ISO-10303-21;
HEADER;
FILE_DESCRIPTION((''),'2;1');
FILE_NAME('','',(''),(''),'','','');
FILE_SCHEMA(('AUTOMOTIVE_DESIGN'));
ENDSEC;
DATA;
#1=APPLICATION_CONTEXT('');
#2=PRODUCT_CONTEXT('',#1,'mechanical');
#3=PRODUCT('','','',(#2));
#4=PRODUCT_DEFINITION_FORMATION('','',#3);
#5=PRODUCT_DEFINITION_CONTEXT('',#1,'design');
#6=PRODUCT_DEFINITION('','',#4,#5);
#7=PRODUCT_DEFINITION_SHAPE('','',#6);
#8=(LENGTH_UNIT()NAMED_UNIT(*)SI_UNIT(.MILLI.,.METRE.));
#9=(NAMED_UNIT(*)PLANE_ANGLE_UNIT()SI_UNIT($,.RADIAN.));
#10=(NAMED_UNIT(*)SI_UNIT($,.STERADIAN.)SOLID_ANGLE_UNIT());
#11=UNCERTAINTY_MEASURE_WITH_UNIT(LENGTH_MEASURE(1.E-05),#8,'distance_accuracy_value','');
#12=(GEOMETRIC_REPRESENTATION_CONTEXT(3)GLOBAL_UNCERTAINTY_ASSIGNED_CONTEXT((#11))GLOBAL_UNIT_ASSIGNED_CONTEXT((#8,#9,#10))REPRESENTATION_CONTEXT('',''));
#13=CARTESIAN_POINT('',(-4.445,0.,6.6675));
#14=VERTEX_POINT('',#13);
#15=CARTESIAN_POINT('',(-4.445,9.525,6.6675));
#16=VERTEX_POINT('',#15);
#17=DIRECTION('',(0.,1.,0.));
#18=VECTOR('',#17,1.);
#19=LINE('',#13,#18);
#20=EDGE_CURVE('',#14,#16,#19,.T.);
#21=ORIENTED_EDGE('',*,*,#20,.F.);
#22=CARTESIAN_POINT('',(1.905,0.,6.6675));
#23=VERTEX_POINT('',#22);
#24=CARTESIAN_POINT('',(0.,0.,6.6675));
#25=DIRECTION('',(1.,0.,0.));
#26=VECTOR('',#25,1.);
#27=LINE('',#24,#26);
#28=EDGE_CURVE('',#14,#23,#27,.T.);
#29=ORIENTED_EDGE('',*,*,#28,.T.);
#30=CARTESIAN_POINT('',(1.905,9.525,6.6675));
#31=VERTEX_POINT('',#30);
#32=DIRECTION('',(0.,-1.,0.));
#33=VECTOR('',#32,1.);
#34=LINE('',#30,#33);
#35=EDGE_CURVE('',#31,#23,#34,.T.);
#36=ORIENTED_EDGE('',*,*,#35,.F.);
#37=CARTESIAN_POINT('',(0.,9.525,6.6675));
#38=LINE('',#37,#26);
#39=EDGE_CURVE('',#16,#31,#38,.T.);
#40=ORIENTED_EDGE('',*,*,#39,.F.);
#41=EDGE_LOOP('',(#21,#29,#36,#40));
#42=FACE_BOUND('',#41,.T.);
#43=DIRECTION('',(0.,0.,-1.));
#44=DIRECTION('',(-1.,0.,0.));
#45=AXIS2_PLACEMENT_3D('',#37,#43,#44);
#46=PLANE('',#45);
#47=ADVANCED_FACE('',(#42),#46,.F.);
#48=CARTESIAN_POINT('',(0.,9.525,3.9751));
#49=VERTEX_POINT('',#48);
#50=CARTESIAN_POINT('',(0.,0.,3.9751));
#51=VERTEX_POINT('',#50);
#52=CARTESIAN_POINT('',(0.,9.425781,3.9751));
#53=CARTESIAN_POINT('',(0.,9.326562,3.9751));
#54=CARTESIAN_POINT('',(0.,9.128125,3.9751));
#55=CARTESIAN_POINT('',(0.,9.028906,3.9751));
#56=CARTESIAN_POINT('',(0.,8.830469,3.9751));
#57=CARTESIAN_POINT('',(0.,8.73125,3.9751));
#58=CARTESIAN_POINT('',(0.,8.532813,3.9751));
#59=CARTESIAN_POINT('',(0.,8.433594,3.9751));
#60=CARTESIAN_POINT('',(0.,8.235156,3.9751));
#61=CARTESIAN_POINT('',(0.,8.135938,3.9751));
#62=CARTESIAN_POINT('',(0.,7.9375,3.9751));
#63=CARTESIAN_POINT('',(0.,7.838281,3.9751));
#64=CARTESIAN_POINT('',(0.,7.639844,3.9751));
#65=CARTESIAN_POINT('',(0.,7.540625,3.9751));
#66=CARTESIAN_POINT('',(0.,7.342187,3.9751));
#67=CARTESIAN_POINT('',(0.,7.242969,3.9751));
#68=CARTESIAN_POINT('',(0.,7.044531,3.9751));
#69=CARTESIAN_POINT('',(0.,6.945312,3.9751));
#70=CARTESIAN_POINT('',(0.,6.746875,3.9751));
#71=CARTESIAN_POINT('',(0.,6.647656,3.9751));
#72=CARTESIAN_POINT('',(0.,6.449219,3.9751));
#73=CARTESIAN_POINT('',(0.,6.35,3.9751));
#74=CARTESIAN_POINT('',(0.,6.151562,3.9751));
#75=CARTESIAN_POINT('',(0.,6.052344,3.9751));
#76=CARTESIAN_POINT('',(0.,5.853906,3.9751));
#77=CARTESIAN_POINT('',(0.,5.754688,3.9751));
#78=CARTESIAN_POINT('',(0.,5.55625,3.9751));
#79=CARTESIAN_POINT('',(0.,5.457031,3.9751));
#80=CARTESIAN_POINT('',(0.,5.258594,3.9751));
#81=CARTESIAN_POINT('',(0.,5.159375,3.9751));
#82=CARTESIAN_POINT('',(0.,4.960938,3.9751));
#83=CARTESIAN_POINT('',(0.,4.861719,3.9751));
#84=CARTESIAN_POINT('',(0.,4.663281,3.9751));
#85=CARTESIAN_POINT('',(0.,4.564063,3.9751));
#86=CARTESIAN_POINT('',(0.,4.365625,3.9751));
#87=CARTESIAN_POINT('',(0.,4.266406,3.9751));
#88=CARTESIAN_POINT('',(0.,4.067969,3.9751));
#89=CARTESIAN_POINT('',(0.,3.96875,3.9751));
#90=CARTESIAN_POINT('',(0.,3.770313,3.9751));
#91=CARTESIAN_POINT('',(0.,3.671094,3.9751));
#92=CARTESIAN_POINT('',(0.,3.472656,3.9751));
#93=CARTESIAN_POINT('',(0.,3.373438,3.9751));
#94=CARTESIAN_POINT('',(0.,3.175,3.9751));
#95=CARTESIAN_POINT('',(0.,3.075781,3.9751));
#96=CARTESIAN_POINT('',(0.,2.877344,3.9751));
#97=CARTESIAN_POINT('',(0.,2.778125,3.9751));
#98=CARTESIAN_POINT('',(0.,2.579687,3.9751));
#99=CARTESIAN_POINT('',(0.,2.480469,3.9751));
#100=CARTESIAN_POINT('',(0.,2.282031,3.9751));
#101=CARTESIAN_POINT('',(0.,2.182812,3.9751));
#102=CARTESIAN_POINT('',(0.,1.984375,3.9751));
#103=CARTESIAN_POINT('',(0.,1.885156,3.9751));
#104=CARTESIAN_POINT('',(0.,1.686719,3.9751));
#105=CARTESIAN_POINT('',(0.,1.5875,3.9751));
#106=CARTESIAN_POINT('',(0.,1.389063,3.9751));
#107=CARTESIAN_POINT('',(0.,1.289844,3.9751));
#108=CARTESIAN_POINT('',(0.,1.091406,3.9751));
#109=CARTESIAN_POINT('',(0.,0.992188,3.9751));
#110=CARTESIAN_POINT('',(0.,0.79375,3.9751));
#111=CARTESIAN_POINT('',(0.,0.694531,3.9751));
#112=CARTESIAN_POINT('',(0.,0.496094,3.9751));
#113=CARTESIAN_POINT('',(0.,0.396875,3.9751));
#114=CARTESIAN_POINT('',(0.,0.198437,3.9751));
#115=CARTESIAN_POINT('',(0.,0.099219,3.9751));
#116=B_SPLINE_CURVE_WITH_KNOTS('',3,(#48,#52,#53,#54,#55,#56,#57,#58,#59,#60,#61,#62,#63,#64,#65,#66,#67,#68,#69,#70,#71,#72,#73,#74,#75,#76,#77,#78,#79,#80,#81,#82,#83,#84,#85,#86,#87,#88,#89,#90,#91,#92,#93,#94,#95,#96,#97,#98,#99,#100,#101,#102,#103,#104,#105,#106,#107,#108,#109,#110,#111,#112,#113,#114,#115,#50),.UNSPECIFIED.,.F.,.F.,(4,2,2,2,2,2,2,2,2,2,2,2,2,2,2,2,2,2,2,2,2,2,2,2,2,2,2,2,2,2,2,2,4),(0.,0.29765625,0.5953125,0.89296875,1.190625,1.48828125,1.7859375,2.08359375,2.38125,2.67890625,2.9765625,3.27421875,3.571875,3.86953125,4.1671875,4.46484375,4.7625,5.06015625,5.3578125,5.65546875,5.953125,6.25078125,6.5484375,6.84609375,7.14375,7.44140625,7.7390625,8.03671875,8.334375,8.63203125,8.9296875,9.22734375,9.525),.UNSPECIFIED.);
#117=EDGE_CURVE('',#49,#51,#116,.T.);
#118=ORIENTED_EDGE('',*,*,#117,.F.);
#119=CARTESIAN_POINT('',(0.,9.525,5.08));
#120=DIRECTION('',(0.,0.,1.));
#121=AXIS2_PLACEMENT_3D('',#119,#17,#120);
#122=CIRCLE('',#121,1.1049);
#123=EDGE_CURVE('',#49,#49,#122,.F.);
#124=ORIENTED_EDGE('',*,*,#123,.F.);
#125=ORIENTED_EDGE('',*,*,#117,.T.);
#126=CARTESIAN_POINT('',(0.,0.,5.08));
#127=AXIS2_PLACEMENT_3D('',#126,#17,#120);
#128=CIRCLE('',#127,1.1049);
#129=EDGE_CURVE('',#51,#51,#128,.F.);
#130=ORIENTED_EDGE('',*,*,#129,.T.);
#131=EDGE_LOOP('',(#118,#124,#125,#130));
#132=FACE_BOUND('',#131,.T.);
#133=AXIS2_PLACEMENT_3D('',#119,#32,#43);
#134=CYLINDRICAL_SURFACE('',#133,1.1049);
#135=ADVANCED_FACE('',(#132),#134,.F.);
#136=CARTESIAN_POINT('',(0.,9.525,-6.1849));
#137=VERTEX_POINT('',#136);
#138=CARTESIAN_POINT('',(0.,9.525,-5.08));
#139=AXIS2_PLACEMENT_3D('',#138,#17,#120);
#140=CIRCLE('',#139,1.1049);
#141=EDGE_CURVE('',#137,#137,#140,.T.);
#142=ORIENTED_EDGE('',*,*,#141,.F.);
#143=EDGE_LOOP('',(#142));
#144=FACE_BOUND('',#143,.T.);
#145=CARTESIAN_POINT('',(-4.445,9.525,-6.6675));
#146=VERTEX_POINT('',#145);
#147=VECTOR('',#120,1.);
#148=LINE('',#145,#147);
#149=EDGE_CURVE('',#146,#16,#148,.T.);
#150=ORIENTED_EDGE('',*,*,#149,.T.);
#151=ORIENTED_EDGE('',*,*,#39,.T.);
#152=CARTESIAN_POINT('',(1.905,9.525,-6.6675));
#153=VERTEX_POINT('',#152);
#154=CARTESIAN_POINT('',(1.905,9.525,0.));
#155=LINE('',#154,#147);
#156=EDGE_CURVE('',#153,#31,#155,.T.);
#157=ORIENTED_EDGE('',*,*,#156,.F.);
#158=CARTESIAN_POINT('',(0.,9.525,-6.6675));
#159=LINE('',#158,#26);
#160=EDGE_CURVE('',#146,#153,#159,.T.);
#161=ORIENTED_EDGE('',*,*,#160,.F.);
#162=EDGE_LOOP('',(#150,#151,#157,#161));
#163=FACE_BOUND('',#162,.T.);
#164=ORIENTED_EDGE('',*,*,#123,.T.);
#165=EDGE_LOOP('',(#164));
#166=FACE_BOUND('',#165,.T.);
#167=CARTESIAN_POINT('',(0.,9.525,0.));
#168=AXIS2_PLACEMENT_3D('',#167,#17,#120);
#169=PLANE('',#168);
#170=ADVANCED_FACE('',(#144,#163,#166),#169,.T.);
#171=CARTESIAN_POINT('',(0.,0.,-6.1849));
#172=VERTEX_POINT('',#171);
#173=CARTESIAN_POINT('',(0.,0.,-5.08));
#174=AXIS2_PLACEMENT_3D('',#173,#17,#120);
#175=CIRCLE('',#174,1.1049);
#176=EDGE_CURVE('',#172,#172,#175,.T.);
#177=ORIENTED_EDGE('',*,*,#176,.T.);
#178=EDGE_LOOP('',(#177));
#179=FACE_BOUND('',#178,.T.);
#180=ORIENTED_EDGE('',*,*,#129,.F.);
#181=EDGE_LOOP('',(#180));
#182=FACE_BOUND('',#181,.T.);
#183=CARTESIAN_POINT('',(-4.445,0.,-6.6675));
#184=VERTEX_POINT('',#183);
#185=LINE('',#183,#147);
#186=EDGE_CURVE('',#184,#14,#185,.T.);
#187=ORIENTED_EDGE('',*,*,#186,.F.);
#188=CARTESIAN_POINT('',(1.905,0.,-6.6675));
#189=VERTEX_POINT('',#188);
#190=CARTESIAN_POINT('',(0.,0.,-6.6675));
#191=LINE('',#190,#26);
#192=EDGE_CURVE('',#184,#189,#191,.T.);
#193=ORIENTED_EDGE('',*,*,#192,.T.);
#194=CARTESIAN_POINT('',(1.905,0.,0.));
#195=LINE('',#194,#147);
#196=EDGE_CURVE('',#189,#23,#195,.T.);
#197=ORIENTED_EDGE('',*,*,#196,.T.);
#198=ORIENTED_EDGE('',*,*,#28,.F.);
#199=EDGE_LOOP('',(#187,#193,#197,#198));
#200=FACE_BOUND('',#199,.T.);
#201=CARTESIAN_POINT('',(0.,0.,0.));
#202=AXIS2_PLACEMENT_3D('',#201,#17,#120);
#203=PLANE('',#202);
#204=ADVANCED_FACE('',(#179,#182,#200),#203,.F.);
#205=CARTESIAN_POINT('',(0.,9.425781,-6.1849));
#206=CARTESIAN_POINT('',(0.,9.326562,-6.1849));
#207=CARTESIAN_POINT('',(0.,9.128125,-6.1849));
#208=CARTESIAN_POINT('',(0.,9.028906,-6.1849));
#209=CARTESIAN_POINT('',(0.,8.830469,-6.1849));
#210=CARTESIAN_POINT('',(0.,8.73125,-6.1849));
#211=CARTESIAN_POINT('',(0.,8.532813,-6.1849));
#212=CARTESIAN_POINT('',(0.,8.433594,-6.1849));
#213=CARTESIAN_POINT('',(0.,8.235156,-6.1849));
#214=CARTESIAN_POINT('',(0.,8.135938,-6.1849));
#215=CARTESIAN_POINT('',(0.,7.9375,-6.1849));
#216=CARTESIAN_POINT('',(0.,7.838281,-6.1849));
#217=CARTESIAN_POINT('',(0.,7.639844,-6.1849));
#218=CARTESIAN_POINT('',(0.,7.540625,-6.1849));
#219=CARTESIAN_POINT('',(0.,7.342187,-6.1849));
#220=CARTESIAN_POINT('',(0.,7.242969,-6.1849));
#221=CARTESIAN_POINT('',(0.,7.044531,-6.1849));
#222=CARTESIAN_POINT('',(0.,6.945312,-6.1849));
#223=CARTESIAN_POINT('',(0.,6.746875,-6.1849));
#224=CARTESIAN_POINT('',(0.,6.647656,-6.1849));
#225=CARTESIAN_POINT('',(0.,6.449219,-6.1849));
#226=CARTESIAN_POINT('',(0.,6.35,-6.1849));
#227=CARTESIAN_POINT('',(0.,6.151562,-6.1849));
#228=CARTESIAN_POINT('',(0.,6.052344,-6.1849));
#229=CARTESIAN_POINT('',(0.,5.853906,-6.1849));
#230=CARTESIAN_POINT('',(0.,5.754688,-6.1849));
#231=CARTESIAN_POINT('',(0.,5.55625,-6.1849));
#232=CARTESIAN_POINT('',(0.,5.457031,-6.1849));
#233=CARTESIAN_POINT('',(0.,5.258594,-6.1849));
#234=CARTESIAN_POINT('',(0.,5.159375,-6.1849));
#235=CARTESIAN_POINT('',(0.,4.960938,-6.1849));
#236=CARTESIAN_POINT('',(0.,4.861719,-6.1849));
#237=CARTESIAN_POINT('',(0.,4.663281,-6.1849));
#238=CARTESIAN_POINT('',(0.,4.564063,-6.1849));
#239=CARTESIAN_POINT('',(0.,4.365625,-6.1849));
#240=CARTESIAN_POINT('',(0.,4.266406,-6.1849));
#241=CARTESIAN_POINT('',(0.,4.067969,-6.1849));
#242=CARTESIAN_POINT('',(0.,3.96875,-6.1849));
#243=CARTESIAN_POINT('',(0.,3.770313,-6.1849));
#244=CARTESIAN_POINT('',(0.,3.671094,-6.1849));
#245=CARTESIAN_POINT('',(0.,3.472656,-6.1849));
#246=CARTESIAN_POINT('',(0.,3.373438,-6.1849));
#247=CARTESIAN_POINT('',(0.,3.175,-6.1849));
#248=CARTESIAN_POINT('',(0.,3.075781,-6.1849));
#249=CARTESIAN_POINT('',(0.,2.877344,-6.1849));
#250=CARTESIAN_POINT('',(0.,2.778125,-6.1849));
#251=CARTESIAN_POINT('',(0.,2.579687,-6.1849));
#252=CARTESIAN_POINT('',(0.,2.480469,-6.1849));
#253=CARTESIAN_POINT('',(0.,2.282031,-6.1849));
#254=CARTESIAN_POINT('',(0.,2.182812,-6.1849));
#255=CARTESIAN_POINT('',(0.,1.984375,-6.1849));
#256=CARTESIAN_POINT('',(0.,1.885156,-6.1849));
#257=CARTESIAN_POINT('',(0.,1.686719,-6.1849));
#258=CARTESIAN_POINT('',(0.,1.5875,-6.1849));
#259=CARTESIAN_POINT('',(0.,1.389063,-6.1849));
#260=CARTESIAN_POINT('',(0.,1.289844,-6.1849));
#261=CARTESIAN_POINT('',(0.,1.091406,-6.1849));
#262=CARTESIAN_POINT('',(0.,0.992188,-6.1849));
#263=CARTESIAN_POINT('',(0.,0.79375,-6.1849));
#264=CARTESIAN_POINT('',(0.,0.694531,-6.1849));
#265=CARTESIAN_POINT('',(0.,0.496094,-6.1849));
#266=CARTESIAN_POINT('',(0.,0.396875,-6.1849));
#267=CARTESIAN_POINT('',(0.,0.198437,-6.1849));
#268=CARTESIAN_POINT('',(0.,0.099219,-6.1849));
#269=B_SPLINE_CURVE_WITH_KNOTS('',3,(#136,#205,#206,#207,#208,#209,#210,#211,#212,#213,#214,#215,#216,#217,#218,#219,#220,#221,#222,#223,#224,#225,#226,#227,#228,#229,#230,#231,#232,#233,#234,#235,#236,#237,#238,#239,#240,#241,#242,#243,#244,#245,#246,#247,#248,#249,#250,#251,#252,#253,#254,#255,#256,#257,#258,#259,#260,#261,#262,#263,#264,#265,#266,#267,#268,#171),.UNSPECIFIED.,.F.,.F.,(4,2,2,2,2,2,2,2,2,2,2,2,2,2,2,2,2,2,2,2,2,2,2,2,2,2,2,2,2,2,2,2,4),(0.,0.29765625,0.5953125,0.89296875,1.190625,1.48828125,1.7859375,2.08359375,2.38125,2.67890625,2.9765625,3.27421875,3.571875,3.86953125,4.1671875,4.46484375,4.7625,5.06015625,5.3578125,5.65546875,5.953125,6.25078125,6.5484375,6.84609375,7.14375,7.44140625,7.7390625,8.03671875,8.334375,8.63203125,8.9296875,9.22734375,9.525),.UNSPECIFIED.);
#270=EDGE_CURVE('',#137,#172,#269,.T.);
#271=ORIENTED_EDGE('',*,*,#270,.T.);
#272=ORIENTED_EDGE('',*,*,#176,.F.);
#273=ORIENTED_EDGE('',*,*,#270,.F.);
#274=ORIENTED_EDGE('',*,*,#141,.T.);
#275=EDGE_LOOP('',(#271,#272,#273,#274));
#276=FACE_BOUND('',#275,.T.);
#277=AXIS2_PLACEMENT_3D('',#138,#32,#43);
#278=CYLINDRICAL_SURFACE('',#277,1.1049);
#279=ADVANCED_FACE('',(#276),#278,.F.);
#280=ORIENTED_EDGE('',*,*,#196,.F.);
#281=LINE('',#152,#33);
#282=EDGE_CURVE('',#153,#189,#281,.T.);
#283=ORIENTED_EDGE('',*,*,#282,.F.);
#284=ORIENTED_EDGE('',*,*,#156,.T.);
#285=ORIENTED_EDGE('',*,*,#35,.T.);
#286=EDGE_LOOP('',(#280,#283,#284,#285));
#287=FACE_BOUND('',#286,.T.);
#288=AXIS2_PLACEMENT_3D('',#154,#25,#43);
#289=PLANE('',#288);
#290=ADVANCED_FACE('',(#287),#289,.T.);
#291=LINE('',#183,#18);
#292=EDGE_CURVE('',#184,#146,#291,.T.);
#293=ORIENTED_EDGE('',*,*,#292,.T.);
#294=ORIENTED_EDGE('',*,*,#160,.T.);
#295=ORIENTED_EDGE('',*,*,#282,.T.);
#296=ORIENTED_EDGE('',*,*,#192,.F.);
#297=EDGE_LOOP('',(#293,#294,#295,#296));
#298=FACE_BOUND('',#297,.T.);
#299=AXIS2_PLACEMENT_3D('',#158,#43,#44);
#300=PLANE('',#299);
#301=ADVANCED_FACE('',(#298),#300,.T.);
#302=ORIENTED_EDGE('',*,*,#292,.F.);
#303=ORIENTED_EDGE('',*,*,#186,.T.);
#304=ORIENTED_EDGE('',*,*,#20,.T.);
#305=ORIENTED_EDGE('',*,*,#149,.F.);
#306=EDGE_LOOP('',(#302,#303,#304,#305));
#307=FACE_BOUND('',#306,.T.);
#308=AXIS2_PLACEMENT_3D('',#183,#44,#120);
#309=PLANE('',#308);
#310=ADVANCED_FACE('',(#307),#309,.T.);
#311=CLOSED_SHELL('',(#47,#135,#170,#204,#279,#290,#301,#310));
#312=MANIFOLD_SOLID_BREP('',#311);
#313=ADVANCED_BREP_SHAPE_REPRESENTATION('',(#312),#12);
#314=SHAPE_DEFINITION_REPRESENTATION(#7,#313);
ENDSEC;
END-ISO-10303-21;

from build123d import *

# Parameters (mm, degrees)
SKETCH1_W           = 3.81
SKETCH1_H           = 13.335
SKETCH1_R           = 1.1049
BOSS_EXTRUDE1_DEPTH = 9.525
SKETCH2_W           = 2.54
SKETCH2_H           = 13.335
BOSS_EXTRUDE2_DEPTH = 9.525


with BuildPart() as part:
    # Sketch1 → Boss-Extrude1 (new body)
    with BuildSketch(Plane(origin=(0, 0, 0), x_dir=(1, 0, 0), z_dir=(0, 1, 0))):
        Rectangle(SKETCH1_W, SKETCH1_H)
        with Locations(Location((0, 5.08, 0), (0, 0, 90))):
            Circle(SKETCH1_R, mode=Mode.SUBTRACT)
        with Locations(Location((0, -5.08, 0), (0, 0, 90))):
            Circle(SKETCH1_R, mode=Mode.SUBTRACT)
    extrude(amount=BOSS_EXTRUDE1_DEPTH)

    # Sketch2 → Boss-Extrude2 (add)
    with BuildSketch(Plane(origin=(0, 9.525, 0), x_dir=(1, 0, 0), z_dir=(0, 1, 0))):
        with Locations((-3.175, 0)):
            Rectangle(SKETCH2_W, SKETCH2_H)
    extrude(amount=-BOSS_EXTRUDE2_DEPTH)


solid = part.part
